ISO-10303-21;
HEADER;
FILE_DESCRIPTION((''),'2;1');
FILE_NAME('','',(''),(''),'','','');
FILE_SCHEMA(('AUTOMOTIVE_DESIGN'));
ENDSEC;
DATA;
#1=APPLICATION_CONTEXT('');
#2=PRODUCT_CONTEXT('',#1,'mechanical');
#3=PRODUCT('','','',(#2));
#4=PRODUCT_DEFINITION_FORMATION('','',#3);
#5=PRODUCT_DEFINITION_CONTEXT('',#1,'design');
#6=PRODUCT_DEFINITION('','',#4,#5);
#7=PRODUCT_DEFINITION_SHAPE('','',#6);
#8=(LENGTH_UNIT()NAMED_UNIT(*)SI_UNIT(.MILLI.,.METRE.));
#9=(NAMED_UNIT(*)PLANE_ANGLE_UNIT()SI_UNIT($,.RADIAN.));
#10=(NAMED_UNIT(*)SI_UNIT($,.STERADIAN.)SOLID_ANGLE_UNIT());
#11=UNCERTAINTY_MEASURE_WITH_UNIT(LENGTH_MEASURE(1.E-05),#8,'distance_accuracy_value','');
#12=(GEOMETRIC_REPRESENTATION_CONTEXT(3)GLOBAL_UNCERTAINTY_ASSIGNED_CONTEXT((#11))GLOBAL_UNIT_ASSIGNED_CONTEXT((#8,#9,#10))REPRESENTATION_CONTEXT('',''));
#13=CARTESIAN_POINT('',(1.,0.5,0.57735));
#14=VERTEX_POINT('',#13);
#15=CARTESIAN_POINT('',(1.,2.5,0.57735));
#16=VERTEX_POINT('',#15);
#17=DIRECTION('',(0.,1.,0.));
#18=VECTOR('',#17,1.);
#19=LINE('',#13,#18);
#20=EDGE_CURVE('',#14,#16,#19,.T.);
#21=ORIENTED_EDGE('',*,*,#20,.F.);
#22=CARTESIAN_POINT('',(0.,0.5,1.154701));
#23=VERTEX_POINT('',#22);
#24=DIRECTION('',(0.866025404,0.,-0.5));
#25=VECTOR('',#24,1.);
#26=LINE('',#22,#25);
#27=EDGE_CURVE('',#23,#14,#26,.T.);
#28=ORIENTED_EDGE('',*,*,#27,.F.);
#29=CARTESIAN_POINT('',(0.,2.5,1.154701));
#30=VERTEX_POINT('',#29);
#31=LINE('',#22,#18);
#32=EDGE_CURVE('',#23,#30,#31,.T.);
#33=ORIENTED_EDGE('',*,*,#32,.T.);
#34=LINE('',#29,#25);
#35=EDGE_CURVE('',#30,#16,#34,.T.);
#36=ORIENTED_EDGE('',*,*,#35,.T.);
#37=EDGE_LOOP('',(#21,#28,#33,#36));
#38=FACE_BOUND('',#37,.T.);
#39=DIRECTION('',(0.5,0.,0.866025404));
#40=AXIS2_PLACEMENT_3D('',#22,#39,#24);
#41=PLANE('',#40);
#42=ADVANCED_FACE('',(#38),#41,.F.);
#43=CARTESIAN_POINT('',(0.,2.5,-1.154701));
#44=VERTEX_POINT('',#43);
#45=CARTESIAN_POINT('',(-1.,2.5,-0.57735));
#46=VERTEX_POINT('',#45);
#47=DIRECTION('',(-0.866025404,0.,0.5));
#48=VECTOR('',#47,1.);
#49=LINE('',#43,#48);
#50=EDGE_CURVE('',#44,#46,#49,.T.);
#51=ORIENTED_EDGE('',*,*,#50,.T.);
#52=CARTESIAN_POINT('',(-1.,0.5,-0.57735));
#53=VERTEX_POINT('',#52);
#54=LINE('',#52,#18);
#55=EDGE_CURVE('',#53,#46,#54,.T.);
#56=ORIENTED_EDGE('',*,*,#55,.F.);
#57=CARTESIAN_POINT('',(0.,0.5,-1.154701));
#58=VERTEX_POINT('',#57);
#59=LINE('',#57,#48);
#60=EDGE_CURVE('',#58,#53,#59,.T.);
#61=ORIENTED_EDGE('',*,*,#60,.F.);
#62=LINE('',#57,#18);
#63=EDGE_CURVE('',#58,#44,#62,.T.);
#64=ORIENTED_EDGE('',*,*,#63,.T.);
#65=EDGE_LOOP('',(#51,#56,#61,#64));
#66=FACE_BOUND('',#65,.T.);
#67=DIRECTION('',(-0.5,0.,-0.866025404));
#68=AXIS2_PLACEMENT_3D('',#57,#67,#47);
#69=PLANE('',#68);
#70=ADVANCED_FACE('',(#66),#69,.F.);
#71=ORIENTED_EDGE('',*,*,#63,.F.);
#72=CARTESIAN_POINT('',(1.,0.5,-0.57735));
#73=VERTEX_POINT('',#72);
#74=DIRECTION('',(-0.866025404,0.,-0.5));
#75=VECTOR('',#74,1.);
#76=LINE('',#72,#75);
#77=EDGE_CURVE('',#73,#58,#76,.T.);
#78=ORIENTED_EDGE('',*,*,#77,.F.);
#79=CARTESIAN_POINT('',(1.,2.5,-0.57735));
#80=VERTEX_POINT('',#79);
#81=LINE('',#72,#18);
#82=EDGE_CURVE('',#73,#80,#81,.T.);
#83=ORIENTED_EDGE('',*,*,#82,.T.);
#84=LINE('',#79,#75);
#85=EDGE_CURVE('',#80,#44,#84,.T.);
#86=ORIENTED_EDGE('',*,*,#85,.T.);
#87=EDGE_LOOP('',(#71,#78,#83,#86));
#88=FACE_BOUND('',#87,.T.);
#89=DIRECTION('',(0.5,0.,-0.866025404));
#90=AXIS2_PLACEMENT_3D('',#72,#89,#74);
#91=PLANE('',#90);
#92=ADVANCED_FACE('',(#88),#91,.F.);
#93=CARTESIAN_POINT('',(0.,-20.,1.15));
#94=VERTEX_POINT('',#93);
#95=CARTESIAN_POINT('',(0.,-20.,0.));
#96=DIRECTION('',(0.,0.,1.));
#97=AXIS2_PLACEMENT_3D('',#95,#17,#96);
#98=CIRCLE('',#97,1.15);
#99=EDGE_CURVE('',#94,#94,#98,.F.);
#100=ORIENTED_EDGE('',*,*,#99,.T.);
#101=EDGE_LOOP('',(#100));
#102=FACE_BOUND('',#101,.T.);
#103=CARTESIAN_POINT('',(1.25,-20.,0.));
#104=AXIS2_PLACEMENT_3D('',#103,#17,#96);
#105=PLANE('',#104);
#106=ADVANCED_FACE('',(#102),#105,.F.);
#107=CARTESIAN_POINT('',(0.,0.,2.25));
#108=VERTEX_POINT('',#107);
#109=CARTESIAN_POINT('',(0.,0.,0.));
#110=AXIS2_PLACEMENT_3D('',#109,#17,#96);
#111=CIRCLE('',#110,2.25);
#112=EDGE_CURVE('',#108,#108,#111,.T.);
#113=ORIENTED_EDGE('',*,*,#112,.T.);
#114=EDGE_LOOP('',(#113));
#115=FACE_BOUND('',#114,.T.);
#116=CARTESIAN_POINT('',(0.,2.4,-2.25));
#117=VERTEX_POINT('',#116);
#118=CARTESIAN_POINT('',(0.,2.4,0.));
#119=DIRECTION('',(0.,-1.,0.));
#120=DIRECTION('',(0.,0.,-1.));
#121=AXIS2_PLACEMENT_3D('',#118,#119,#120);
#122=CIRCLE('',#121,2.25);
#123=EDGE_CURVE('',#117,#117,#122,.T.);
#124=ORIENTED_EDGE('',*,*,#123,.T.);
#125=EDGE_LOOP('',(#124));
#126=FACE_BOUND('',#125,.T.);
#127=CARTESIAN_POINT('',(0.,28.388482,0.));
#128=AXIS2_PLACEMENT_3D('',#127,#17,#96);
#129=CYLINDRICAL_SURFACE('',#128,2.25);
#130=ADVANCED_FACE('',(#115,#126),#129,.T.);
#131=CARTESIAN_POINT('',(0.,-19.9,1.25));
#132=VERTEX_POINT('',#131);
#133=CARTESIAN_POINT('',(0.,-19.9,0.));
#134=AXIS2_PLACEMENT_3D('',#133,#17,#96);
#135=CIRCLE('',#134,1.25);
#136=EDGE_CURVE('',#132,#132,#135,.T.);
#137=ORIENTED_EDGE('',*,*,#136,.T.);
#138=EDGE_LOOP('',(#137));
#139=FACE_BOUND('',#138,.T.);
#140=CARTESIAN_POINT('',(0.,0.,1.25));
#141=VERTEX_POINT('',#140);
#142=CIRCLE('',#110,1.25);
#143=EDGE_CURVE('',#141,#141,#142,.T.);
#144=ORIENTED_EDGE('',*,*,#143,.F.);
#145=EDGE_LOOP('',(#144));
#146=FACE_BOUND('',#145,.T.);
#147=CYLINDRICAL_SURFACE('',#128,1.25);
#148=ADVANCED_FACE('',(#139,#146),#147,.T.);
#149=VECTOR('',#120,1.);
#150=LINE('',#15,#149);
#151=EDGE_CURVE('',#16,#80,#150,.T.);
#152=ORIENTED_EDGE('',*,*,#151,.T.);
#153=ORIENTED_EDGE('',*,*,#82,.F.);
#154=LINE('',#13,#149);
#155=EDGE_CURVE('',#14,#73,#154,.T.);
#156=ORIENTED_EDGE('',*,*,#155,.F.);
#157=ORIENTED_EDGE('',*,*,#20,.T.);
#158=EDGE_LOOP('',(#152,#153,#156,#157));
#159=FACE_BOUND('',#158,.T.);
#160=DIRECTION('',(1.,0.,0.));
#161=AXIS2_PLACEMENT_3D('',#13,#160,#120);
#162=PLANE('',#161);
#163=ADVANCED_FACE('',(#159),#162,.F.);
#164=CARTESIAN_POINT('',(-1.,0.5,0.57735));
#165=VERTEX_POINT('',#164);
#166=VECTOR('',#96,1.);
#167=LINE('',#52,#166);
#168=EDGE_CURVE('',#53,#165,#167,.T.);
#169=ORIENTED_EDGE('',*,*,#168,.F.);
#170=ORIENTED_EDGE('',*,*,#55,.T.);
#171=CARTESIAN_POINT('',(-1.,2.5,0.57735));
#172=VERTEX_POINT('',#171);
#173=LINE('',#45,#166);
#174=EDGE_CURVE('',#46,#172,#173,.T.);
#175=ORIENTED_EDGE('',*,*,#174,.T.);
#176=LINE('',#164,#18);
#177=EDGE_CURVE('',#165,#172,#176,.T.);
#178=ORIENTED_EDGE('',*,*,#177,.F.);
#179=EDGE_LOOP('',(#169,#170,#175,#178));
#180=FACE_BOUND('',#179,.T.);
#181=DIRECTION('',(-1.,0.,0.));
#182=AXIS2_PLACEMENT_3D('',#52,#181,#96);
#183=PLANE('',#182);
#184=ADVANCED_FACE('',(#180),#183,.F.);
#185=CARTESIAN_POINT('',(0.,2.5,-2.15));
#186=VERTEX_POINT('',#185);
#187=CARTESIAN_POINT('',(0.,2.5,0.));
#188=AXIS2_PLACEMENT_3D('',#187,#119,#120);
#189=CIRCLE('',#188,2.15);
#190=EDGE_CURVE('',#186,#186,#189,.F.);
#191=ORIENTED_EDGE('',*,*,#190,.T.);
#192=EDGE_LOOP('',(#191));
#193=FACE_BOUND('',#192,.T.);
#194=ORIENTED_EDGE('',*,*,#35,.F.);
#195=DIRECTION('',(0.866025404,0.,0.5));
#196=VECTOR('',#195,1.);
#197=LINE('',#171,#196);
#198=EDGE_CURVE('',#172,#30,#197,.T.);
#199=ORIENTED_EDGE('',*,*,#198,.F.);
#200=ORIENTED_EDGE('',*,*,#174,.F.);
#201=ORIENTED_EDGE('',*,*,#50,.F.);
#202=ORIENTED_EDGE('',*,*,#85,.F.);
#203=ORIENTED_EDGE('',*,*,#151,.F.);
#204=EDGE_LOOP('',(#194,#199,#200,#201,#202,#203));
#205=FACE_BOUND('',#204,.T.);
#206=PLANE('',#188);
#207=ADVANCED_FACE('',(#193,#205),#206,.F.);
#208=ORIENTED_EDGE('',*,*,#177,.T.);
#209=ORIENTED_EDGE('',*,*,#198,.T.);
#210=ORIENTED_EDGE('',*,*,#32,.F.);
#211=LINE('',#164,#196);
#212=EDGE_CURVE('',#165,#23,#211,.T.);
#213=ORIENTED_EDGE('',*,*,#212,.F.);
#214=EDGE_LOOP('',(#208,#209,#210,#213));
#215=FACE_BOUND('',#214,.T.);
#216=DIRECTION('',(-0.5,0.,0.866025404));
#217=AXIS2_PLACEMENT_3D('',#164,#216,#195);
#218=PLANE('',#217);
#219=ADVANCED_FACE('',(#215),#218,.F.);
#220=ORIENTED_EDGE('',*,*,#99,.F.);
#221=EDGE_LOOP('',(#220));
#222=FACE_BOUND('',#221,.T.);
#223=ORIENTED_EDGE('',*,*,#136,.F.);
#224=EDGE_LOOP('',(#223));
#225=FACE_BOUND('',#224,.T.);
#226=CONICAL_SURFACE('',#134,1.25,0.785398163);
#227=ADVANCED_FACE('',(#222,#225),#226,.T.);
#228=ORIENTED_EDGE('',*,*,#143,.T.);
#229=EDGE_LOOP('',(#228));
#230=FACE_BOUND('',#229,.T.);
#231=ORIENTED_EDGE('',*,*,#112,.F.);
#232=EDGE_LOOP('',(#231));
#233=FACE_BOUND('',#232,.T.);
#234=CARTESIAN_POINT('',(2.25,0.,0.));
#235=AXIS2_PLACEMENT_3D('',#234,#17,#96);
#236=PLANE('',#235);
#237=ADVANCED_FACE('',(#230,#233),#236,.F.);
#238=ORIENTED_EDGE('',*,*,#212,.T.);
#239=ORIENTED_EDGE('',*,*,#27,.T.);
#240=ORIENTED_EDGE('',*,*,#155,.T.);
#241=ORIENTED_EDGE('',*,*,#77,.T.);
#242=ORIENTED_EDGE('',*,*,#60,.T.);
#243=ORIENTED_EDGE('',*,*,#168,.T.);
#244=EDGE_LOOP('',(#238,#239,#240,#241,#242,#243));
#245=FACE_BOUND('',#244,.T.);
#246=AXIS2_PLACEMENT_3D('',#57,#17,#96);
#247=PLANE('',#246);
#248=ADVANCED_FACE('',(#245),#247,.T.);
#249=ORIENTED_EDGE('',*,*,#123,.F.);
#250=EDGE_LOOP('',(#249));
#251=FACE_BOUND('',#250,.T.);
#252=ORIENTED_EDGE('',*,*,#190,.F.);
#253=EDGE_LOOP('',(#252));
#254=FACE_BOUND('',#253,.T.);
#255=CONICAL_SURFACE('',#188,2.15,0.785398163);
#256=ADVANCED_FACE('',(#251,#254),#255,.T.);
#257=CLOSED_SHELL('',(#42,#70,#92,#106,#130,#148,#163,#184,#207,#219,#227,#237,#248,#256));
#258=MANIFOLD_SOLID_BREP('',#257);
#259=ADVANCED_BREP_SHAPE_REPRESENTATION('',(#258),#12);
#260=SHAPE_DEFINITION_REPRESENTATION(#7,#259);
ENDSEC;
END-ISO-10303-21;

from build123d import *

# Parameters (mm, degrees)
SMUSSO1_SIZE             = 0.1
TAGLIO_ESTRUSIONE1_DEPTH = 2


with BuildPart() as part:
    # Schizzo1 → Rivoluzione1 (revolve)
    with BuildSketch(Plane.XY, mode=Mode.PRIVATE) as rivoluzione1_sk:
        Polygon((0, 0), (0, 2.5), (2.25, 2.5), (2.25, 0), (1.25, 0), (1.25, -20), (0, -20), align=None)
    revolve(rivoluzione1_sk.sketch.rotate(Axis((0, 28.388481997, 0), (0, -1, 0)), 90), axis=Axis((0, 28.388481997, 0), (0, -1, 0)))

    # Smusso1
    smusso1_edges = [part.edges().sort_by_distance(p)[0] for p in [
        (0, -20, -1.25),
        (0, 2.5, -2.25),
    ]]
    chamfer(smusso1_edges, length=SMUSSO1_SIZE)

    # Schizzo2 → Taglio-Estrusione1 (cut)
    with BuildSketch(Plane(origin=(0, 2.5, 0), x_dir=(1, 0, 0), z_dir=(0, 1, 0))):
        Polygon((0, 1.154700538), (-1, 0.577350269), (-1, -0.577350269), (0, -1.154700538), (1, -0.577350269), (1, 0.577350269), align=None)
    extrude(amount=-TAGLIO_ESTRUSIONE1_DEPTH, mode=Mode.SUBTRACT)


solid = part.part
